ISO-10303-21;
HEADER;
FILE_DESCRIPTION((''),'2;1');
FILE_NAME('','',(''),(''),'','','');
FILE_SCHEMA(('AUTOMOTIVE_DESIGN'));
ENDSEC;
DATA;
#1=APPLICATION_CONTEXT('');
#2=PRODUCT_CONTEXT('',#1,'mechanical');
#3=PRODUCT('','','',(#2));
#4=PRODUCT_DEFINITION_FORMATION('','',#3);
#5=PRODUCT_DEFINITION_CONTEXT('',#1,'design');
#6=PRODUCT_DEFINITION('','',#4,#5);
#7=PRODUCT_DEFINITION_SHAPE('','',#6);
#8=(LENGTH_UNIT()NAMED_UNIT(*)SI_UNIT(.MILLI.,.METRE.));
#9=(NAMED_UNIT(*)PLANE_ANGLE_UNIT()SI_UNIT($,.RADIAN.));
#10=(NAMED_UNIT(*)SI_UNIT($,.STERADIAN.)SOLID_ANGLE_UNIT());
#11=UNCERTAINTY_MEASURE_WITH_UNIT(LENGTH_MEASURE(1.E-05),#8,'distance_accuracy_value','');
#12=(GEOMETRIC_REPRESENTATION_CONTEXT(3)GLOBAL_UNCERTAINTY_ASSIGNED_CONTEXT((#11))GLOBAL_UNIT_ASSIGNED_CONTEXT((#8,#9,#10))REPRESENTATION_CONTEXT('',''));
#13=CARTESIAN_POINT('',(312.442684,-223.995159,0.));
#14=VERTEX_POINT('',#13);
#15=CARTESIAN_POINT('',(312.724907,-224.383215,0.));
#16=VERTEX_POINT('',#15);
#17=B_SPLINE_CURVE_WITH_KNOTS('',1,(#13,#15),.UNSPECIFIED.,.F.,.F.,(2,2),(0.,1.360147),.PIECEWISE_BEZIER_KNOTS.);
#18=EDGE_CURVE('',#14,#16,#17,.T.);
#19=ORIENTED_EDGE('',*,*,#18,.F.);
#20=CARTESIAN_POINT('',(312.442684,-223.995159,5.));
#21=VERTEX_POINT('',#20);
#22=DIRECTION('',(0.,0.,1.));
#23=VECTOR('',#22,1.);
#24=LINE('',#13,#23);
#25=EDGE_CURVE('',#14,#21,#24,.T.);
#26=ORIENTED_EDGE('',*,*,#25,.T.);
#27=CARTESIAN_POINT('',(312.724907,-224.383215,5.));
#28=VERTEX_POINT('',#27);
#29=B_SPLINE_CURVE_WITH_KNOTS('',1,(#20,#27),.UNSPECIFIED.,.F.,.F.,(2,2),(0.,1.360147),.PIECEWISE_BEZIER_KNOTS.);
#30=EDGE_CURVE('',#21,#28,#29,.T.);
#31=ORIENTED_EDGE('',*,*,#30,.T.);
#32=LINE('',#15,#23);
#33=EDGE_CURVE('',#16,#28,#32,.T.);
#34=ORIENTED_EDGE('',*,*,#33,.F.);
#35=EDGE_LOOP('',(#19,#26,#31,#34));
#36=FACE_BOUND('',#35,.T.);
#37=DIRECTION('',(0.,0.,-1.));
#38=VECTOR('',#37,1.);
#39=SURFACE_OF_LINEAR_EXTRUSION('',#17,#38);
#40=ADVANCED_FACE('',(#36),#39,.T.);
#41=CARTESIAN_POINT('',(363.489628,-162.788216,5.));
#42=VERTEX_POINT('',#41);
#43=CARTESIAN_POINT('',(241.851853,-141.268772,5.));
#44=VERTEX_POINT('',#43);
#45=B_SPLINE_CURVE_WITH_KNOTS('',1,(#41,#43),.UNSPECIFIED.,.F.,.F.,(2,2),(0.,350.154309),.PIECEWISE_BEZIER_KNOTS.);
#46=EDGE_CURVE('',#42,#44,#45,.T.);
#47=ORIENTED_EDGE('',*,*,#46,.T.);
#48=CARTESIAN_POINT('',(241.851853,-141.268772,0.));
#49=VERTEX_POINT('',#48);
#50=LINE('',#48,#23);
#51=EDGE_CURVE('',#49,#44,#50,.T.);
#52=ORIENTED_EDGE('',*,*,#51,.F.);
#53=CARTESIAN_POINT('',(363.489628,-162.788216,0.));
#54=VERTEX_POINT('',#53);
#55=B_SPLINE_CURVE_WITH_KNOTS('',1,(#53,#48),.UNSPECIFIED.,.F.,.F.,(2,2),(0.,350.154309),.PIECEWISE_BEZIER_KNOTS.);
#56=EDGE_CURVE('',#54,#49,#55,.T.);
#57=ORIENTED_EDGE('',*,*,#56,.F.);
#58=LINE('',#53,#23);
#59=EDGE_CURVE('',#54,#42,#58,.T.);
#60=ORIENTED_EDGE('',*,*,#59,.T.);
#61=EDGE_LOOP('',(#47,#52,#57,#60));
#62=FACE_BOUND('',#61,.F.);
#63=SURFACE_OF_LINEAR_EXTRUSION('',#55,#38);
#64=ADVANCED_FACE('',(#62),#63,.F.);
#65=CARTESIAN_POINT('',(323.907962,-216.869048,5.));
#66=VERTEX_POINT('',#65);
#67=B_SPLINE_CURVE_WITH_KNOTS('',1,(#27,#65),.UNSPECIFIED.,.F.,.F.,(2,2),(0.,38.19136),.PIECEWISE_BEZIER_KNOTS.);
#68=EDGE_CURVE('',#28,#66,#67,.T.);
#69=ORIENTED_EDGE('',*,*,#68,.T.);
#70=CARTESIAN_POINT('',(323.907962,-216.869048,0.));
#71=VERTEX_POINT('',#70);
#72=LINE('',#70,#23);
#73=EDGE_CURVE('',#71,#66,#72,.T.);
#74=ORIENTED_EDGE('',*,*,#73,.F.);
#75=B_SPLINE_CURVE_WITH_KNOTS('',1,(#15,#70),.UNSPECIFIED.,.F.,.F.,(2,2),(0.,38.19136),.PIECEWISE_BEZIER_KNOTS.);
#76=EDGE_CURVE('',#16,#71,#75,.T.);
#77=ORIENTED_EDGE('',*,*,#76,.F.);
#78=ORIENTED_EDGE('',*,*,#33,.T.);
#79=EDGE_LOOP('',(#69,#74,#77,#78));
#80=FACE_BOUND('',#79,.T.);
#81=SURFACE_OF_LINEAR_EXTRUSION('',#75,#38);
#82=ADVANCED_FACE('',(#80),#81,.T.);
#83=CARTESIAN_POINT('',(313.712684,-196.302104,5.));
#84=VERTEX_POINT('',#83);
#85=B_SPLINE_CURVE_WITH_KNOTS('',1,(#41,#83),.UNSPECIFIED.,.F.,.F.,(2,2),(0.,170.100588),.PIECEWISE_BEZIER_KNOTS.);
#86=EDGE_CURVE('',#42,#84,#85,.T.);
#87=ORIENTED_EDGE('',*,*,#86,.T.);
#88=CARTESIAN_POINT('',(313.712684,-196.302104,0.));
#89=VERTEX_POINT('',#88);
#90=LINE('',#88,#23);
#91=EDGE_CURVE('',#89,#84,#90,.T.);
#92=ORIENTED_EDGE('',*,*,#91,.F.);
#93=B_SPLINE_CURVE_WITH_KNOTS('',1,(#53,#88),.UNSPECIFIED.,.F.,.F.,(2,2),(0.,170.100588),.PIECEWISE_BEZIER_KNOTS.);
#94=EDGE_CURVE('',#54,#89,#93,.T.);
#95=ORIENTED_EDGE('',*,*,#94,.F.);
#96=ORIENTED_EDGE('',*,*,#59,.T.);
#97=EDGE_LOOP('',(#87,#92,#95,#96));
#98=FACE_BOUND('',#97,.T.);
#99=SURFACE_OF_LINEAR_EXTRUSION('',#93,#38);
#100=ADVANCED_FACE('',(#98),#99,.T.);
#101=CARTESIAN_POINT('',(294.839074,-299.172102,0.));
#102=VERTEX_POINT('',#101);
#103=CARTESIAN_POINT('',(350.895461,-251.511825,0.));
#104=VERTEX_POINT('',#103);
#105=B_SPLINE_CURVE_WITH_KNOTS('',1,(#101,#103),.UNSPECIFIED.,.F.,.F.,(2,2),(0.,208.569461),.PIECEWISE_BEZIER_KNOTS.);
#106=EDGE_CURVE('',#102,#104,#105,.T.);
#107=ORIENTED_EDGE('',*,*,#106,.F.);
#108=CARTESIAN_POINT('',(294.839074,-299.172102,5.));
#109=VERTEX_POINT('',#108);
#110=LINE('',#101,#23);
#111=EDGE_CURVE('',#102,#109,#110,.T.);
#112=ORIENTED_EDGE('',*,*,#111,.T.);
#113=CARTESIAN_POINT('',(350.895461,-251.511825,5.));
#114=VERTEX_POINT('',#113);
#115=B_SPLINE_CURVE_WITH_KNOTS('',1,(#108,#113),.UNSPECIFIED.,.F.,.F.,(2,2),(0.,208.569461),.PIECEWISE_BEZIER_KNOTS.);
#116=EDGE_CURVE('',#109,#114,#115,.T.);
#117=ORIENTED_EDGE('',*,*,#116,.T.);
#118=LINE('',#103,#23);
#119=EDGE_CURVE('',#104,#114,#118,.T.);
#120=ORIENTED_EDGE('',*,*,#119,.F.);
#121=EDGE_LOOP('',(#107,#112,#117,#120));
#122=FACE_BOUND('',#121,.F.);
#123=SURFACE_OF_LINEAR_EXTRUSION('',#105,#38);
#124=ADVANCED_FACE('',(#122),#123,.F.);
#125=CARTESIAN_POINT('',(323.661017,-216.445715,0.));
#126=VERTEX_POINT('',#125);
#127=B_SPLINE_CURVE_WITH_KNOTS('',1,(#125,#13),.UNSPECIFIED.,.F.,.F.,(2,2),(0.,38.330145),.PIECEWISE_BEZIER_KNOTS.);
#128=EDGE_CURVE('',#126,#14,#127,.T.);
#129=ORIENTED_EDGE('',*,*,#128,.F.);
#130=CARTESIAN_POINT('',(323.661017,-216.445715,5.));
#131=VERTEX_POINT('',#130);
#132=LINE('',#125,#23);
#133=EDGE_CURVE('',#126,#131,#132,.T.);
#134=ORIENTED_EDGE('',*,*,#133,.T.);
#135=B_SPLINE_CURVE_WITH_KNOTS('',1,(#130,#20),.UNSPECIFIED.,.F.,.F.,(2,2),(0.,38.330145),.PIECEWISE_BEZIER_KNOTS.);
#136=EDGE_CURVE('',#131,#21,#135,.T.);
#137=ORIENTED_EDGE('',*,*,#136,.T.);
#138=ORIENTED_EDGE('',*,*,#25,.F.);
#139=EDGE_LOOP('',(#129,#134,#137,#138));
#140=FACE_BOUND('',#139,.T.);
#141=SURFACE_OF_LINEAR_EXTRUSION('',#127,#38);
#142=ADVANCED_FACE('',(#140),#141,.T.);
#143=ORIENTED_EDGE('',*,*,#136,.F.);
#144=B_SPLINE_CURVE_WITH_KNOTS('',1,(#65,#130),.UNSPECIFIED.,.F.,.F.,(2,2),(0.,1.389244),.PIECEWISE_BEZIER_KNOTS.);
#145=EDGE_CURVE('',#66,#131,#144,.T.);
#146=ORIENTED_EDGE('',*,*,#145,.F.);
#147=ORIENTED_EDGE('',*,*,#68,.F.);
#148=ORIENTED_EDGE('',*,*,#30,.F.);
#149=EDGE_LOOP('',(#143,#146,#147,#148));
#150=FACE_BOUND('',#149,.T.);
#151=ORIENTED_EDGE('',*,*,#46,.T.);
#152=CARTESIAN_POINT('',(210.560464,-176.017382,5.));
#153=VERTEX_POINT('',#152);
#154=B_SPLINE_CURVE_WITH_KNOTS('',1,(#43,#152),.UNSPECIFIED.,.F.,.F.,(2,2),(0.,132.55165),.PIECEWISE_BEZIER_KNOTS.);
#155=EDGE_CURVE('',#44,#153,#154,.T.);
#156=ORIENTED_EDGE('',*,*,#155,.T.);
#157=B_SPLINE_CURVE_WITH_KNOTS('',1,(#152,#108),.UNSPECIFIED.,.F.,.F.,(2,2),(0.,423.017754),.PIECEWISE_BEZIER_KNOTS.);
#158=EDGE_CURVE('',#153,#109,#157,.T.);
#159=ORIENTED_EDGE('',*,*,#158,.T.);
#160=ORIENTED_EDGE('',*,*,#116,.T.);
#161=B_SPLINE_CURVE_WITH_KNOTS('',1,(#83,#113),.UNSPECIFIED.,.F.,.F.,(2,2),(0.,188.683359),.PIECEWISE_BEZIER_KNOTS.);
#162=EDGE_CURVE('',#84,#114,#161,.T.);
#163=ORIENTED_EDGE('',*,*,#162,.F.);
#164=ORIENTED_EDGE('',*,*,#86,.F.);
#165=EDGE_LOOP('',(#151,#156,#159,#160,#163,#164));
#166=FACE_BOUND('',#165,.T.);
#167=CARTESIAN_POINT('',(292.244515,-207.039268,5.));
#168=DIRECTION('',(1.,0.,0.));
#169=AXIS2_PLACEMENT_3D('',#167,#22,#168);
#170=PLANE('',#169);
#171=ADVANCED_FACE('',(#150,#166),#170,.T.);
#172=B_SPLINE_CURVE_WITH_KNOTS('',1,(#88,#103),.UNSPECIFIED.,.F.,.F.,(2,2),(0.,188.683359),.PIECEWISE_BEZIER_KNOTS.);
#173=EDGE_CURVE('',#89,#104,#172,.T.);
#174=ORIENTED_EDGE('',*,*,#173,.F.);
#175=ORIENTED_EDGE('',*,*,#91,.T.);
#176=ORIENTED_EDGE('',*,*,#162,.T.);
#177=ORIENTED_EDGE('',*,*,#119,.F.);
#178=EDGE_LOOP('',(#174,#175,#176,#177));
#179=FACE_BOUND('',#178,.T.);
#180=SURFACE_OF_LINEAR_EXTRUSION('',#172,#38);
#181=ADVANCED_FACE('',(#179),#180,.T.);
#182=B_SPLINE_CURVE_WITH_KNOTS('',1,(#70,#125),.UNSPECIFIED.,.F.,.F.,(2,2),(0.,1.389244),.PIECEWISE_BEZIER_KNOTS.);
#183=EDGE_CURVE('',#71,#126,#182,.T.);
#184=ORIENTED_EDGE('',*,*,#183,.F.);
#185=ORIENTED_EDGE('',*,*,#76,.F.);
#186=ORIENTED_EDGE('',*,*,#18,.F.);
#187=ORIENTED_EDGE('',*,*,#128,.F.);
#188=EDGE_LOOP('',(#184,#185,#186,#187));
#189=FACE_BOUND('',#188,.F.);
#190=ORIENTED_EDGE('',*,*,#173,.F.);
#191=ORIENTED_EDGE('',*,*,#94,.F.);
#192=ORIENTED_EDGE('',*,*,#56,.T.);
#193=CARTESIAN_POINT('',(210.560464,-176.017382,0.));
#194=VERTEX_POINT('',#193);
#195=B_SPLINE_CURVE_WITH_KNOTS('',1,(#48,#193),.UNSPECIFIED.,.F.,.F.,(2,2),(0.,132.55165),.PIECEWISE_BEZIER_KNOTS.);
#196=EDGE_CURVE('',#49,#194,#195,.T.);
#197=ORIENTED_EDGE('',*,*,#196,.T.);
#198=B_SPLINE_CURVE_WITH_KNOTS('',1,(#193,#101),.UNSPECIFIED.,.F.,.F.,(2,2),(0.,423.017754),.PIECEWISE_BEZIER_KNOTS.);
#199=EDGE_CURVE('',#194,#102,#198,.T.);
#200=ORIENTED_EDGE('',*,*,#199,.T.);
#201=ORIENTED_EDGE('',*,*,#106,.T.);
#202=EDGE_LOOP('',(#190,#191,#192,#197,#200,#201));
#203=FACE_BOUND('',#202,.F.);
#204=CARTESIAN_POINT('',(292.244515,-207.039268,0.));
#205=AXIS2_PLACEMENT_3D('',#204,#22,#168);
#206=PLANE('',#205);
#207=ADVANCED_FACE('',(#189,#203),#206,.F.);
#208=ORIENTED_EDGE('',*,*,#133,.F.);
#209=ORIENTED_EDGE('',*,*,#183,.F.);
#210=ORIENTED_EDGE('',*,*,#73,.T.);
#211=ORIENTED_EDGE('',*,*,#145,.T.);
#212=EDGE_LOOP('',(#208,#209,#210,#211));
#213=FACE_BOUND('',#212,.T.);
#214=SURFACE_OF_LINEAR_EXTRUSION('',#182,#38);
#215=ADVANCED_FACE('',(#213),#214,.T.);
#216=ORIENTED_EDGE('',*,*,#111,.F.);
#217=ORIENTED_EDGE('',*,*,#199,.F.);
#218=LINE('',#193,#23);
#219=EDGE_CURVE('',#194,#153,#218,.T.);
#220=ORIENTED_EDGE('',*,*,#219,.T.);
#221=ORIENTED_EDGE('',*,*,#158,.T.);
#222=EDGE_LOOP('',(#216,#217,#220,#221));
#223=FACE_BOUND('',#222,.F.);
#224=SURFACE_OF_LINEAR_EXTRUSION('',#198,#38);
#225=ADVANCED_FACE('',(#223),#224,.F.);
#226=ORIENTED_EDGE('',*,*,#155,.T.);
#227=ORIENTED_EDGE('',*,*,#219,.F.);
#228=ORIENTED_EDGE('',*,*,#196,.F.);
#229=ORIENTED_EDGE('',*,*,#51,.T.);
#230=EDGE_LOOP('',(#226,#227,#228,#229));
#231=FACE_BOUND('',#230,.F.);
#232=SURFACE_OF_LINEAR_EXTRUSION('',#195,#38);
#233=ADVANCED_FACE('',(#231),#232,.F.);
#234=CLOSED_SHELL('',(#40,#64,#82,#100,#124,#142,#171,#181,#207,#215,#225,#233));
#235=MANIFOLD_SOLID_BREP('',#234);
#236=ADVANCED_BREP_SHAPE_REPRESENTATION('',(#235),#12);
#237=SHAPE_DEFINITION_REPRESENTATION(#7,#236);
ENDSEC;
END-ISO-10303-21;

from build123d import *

# Parameters (mm, degrees)
PAD003_DEPTH = 5


with BuildPart() as part:
    # Sketch003 → Pad003 (new body)
    with BuildSketch(Plane.XY):
        with BuildLine():
            add(Edge.make_bspline(
                [(363.489628, -162.788216), (241.851853, -141.268772)],
                knots=[0, 0, 350.154309, 350.154309], degree=1))
            add(Edge.make_bspline(
                [(363.489628, -162.788216), (313.712684, -196.302104)],
                knots=[0, 0, 170.100588, 170.100588], degree=1))
            add(Edge.make_bspline(
                [(313.712684, -196.302104), (350.895461, -251.511825)],
                knots=[0, 0, 188.683359, 188.683359], degree=1))
            add(Edge.make_bspline(
                [(294.839074, -299.172102), (350.895461, -251.511825)],
                knots=[0, 0, 208.569461, 208.569461], degree=1))
            add(Edge.make_bspline(
                [(210.560464, -176.017382), (294.839074, -299.172102)],
                knots=[0, 0, 423.017754, 423.017754], degree=1))
            add(Edge.make_bspline(
                [(241.851853, -141.268772), (210.560464, -176.017382)],
                knots=[0, 0, 132.55165, 132.55165], degree=1))
        make_face()
        with BuildLine():
            add(Edge.make_bspline(
                [(323.661017, -216.445715), (312.442684, -223.995159)],
                knots=[0, 0, 38.330145, 38.330145], degree=1))
            add(Edge.make_bspline(
                [(312.442684, -223.995159), (312.724907, -224.383215)],
                knots=[0, 0, 1.360147, 1.360147], degree=1))
            add(Edge.make_bspline(
                [(312.724907, -224.383215), (323.907962, -216.869048)],
                knots=[0, 0, 38.19136, 38.19136], degree=1))
            add(Edge.make_bspline(
                [(323.907962, -216.869048), (323.661017, -216.445715)],
                knots=[0, 0, 1.389244, 1.389244], degree=1))
        make_face(mode=Mode.SUBTRACT)
    extrude(amount=PAD003_DEPTH)


solid = part.part
